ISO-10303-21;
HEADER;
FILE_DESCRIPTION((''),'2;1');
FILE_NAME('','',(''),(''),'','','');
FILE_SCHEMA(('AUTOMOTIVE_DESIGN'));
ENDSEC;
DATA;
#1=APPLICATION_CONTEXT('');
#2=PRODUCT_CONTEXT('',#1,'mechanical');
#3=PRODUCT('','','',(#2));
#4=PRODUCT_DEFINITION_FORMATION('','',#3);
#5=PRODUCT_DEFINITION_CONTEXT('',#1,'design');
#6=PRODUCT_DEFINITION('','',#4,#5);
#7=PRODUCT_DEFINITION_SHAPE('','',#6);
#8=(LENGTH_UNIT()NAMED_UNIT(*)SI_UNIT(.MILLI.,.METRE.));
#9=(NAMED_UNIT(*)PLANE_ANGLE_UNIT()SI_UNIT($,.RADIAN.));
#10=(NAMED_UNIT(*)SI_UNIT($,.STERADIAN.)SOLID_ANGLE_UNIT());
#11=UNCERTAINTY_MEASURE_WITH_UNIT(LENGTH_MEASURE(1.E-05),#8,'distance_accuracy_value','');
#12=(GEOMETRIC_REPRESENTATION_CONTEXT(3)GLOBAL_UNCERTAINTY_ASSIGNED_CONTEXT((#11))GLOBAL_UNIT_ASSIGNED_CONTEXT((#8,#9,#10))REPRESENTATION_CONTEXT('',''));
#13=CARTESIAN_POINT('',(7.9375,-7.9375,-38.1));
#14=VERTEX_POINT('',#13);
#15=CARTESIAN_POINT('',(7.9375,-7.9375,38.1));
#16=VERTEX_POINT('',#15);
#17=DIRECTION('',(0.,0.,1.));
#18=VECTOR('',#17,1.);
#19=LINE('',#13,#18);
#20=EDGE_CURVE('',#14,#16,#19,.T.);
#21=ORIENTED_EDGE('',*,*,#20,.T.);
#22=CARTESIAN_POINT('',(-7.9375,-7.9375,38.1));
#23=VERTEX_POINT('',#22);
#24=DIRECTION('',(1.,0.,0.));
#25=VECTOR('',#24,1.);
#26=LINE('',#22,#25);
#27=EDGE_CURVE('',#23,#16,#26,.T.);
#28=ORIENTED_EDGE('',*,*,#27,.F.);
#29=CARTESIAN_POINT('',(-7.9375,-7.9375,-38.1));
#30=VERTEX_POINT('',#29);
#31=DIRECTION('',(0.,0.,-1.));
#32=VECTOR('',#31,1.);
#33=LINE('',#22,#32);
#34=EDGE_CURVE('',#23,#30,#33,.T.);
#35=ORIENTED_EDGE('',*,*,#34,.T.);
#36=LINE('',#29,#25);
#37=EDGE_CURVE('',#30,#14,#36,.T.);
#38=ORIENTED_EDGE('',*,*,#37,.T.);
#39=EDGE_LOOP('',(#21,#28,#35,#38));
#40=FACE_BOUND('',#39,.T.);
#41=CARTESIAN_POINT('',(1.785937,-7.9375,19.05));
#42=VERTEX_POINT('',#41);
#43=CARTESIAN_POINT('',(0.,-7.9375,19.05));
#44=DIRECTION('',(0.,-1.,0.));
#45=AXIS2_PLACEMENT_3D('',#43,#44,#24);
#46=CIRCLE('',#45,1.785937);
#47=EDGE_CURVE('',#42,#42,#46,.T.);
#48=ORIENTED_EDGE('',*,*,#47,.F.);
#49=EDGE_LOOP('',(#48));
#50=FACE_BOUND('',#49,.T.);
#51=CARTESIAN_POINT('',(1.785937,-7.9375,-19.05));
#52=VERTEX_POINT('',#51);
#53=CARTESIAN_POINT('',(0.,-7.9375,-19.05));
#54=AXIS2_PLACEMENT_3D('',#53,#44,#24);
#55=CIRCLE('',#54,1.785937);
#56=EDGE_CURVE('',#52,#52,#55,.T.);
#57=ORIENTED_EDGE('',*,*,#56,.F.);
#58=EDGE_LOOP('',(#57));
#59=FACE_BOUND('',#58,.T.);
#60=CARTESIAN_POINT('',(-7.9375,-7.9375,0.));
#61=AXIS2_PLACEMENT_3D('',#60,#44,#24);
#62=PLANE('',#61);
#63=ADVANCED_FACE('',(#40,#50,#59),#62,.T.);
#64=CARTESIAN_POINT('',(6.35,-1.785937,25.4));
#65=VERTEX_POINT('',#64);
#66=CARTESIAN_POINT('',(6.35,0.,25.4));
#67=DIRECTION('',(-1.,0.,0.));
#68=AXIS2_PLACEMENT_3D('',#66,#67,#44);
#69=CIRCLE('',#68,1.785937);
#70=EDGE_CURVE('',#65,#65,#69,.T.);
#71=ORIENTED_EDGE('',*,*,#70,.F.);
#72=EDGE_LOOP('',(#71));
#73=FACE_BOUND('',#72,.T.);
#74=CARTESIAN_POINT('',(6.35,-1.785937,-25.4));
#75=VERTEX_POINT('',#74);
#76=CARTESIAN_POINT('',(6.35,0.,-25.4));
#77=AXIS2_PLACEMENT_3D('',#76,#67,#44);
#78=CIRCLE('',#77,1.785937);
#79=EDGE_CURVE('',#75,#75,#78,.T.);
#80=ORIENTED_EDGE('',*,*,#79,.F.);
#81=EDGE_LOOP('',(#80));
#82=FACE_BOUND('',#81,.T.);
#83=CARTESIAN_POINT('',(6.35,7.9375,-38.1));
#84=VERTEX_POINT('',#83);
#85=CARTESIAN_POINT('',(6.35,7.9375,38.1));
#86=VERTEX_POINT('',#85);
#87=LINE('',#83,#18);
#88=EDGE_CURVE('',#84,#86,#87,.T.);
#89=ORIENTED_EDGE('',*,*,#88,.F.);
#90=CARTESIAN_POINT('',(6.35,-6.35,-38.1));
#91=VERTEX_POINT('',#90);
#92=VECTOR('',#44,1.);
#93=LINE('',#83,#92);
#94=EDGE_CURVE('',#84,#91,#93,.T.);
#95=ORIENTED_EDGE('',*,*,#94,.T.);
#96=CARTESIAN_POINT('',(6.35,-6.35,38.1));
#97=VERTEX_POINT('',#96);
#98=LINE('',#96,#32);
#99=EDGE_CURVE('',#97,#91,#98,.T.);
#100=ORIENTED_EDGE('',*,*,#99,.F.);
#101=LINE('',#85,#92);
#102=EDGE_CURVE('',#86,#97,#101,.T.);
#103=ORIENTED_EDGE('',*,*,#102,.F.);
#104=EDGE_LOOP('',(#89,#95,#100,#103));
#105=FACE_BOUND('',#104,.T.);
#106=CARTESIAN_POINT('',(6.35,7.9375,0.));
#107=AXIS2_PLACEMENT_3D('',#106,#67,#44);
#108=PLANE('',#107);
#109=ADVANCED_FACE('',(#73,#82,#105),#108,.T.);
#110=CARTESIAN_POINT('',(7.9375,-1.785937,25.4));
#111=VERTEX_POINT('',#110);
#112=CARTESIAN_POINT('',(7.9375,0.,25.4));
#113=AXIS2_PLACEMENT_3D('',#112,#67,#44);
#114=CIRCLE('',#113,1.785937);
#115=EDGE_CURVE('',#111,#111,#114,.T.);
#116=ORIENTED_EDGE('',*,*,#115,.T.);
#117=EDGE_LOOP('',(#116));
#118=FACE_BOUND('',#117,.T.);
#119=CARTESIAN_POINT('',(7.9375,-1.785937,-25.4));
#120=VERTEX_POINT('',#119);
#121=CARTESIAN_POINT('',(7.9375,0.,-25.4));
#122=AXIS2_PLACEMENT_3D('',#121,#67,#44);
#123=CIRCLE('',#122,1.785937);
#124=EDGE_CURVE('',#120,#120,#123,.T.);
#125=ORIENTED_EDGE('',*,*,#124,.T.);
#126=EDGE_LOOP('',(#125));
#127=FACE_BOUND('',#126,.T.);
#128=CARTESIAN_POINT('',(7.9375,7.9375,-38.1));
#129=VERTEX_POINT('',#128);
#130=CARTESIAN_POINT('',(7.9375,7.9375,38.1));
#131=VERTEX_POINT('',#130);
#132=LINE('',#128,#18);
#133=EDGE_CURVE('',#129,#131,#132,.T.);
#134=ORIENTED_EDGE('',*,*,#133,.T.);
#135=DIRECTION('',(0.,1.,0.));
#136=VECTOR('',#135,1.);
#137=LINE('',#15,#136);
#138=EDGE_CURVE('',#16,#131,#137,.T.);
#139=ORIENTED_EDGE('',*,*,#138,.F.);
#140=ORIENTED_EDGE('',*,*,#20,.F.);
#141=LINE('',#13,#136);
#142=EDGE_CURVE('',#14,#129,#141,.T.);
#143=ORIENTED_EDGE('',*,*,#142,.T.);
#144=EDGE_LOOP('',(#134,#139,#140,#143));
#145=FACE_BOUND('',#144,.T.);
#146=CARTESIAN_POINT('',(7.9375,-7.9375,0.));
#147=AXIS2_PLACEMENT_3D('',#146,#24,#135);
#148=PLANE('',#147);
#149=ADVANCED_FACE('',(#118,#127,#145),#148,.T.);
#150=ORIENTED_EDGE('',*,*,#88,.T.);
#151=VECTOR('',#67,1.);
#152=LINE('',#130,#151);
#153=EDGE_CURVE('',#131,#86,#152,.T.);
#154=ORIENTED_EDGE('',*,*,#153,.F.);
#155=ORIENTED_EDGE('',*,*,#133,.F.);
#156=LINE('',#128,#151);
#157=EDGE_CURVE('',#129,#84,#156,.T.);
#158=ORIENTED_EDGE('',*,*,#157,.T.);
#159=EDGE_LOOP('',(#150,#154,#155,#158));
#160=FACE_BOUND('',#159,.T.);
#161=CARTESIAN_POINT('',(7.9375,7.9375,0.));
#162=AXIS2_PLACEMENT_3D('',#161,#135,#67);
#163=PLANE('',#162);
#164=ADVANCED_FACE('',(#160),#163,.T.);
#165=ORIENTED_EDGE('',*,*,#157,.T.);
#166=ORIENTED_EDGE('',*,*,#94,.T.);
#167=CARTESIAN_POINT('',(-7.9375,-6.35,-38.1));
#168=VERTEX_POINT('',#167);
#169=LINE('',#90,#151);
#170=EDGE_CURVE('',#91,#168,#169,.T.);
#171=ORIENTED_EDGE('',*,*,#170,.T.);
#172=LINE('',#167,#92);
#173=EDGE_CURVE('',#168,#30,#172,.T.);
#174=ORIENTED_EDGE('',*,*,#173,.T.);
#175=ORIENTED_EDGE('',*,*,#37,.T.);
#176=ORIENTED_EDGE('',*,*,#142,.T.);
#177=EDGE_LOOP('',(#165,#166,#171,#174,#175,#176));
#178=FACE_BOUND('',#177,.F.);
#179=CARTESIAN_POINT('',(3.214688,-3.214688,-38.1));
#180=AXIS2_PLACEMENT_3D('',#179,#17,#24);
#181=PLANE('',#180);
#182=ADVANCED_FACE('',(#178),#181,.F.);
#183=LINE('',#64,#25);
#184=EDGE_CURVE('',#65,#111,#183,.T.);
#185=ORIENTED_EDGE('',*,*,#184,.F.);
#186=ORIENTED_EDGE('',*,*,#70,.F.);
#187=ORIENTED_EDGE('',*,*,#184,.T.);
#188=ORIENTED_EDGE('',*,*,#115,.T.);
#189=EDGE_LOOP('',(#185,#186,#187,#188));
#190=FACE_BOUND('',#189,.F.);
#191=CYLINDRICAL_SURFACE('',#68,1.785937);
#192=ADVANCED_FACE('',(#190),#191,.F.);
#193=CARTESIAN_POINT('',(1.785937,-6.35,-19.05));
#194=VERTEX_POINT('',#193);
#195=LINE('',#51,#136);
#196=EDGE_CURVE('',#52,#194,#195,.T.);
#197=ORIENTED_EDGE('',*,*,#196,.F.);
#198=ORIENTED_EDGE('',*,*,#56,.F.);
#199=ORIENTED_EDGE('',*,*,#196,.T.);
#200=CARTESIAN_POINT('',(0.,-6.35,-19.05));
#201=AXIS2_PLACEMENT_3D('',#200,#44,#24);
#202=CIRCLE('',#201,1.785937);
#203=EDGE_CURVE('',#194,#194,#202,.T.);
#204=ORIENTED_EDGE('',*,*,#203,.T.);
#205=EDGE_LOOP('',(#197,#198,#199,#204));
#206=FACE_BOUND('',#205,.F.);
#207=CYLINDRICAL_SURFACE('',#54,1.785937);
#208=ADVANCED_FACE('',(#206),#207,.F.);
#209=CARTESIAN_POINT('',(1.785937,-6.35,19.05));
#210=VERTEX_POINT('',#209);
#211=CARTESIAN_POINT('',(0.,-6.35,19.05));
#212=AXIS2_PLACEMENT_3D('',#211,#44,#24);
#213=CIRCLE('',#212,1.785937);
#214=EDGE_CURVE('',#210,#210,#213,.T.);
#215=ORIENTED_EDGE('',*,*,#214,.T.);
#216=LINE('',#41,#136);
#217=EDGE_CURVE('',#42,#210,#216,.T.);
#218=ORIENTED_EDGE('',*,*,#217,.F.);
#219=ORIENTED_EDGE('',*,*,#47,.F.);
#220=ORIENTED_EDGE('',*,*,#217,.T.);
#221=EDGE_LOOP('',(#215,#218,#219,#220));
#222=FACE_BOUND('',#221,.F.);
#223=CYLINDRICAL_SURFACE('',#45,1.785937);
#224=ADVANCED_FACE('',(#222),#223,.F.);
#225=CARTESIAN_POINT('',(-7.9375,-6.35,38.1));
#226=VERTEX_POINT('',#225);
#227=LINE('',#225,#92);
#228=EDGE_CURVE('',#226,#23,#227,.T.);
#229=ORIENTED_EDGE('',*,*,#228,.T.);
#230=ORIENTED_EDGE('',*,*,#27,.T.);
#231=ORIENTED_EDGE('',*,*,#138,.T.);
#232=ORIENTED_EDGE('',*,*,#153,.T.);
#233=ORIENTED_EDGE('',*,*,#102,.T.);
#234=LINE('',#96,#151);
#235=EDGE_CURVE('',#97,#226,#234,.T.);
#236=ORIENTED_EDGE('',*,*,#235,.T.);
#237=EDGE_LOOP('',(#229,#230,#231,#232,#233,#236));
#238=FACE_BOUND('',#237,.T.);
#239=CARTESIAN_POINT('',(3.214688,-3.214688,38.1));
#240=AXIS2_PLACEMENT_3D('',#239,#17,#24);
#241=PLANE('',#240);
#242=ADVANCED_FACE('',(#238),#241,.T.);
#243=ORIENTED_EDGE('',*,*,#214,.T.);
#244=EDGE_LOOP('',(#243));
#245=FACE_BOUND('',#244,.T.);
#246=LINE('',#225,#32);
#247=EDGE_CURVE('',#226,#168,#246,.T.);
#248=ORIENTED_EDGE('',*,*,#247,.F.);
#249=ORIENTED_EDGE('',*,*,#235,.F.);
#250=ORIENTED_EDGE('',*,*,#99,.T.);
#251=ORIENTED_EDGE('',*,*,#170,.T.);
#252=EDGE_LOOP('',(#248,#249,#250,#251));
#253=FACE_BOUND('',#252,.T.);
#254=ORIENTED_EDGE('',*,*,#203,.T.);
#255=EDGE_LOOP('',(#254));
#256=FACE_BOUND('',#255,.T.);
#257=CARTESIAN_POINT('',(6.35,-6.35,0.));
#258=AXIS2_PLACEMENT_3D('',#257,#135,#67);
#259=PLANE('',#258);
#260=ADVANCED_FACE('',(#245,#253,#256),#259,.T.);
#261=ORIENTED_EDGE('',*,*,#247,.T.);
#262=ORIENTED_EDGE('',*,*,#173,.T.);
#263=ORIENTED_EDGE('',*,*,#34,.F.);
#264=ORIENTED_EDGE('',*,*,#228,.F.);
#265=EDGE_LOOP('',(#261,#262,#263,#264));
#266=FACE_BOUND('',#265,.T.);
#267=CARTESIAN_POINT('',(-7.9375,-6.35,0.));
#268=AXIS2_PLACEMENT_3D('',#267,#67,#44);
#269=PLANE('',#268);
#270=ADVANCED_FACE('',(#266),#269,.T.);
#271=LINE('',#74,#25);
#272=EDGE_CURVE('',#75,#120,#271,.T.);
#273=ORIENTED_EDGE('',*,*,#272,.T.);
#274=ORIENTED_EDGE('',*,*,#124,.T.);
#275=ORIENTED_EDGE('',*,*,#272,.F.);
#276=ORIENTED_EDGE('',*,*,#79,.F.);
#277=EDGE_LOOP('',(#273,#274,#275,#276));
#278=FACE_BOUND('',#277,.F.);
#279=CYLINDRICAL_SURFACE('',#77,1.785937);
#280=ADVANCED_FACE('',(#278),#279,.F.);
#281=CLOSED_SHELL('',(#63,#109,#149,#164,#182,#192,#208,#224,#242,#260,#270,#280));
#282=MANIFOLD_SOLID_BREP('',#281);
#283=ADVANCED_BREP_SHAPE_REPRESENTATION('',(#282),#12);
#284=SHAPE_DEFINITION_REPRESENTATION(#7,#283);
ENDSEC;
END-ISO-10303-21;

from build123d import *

# Parameters (mm, degrees)
F1_DEPTH = 38.1
F2_R     = 1.7859375
F3_DEPTH = 1.5875
F4_R     = 1.7859375
F5_DEPTH = 1.5875


with BuildPart() as f1:
    # F0 (on Top) → F1 (new body, symmetric)
    with BuildSketch(Plane.XY):
        Polygon((-7.9375, -7.9375), (7.9375, -7.9375), (7.9375, 7.9375), (6.35, 7.9375), (6.35, -6.35), (-7.9375, -6.35), align=None)
    extrude(amount=F1_DEPTH, both=True)

    # F2 (on face) → F3 (cut, through all)
    with BuildSketch(Plane(origin=(6.35, 0, 0), x_dir=(0, -1, 0), z_dir=(-1, 0, 0))):
        with Locations((0, -25.4)):
            Circle(F2_R)
        with Locations((0, 25.4)):
            Circle(F2_R)
    extrude(amount=-F3_DEPTH, mode=Mode.SUBTRACT)

    # F4 (on face) → F5 (cut, through all)
    with BuildSketch(Plane.XZ.offset(7.9375)):
        with Locations((0, 19.05)):
            Circle(F4_R)
        with Locations((0, -19.05)):
            Circle(F4_R)
    extrude(amount=-F5_DEPTH, mode=Mode.SUBTRACT)


solid = f1.part
